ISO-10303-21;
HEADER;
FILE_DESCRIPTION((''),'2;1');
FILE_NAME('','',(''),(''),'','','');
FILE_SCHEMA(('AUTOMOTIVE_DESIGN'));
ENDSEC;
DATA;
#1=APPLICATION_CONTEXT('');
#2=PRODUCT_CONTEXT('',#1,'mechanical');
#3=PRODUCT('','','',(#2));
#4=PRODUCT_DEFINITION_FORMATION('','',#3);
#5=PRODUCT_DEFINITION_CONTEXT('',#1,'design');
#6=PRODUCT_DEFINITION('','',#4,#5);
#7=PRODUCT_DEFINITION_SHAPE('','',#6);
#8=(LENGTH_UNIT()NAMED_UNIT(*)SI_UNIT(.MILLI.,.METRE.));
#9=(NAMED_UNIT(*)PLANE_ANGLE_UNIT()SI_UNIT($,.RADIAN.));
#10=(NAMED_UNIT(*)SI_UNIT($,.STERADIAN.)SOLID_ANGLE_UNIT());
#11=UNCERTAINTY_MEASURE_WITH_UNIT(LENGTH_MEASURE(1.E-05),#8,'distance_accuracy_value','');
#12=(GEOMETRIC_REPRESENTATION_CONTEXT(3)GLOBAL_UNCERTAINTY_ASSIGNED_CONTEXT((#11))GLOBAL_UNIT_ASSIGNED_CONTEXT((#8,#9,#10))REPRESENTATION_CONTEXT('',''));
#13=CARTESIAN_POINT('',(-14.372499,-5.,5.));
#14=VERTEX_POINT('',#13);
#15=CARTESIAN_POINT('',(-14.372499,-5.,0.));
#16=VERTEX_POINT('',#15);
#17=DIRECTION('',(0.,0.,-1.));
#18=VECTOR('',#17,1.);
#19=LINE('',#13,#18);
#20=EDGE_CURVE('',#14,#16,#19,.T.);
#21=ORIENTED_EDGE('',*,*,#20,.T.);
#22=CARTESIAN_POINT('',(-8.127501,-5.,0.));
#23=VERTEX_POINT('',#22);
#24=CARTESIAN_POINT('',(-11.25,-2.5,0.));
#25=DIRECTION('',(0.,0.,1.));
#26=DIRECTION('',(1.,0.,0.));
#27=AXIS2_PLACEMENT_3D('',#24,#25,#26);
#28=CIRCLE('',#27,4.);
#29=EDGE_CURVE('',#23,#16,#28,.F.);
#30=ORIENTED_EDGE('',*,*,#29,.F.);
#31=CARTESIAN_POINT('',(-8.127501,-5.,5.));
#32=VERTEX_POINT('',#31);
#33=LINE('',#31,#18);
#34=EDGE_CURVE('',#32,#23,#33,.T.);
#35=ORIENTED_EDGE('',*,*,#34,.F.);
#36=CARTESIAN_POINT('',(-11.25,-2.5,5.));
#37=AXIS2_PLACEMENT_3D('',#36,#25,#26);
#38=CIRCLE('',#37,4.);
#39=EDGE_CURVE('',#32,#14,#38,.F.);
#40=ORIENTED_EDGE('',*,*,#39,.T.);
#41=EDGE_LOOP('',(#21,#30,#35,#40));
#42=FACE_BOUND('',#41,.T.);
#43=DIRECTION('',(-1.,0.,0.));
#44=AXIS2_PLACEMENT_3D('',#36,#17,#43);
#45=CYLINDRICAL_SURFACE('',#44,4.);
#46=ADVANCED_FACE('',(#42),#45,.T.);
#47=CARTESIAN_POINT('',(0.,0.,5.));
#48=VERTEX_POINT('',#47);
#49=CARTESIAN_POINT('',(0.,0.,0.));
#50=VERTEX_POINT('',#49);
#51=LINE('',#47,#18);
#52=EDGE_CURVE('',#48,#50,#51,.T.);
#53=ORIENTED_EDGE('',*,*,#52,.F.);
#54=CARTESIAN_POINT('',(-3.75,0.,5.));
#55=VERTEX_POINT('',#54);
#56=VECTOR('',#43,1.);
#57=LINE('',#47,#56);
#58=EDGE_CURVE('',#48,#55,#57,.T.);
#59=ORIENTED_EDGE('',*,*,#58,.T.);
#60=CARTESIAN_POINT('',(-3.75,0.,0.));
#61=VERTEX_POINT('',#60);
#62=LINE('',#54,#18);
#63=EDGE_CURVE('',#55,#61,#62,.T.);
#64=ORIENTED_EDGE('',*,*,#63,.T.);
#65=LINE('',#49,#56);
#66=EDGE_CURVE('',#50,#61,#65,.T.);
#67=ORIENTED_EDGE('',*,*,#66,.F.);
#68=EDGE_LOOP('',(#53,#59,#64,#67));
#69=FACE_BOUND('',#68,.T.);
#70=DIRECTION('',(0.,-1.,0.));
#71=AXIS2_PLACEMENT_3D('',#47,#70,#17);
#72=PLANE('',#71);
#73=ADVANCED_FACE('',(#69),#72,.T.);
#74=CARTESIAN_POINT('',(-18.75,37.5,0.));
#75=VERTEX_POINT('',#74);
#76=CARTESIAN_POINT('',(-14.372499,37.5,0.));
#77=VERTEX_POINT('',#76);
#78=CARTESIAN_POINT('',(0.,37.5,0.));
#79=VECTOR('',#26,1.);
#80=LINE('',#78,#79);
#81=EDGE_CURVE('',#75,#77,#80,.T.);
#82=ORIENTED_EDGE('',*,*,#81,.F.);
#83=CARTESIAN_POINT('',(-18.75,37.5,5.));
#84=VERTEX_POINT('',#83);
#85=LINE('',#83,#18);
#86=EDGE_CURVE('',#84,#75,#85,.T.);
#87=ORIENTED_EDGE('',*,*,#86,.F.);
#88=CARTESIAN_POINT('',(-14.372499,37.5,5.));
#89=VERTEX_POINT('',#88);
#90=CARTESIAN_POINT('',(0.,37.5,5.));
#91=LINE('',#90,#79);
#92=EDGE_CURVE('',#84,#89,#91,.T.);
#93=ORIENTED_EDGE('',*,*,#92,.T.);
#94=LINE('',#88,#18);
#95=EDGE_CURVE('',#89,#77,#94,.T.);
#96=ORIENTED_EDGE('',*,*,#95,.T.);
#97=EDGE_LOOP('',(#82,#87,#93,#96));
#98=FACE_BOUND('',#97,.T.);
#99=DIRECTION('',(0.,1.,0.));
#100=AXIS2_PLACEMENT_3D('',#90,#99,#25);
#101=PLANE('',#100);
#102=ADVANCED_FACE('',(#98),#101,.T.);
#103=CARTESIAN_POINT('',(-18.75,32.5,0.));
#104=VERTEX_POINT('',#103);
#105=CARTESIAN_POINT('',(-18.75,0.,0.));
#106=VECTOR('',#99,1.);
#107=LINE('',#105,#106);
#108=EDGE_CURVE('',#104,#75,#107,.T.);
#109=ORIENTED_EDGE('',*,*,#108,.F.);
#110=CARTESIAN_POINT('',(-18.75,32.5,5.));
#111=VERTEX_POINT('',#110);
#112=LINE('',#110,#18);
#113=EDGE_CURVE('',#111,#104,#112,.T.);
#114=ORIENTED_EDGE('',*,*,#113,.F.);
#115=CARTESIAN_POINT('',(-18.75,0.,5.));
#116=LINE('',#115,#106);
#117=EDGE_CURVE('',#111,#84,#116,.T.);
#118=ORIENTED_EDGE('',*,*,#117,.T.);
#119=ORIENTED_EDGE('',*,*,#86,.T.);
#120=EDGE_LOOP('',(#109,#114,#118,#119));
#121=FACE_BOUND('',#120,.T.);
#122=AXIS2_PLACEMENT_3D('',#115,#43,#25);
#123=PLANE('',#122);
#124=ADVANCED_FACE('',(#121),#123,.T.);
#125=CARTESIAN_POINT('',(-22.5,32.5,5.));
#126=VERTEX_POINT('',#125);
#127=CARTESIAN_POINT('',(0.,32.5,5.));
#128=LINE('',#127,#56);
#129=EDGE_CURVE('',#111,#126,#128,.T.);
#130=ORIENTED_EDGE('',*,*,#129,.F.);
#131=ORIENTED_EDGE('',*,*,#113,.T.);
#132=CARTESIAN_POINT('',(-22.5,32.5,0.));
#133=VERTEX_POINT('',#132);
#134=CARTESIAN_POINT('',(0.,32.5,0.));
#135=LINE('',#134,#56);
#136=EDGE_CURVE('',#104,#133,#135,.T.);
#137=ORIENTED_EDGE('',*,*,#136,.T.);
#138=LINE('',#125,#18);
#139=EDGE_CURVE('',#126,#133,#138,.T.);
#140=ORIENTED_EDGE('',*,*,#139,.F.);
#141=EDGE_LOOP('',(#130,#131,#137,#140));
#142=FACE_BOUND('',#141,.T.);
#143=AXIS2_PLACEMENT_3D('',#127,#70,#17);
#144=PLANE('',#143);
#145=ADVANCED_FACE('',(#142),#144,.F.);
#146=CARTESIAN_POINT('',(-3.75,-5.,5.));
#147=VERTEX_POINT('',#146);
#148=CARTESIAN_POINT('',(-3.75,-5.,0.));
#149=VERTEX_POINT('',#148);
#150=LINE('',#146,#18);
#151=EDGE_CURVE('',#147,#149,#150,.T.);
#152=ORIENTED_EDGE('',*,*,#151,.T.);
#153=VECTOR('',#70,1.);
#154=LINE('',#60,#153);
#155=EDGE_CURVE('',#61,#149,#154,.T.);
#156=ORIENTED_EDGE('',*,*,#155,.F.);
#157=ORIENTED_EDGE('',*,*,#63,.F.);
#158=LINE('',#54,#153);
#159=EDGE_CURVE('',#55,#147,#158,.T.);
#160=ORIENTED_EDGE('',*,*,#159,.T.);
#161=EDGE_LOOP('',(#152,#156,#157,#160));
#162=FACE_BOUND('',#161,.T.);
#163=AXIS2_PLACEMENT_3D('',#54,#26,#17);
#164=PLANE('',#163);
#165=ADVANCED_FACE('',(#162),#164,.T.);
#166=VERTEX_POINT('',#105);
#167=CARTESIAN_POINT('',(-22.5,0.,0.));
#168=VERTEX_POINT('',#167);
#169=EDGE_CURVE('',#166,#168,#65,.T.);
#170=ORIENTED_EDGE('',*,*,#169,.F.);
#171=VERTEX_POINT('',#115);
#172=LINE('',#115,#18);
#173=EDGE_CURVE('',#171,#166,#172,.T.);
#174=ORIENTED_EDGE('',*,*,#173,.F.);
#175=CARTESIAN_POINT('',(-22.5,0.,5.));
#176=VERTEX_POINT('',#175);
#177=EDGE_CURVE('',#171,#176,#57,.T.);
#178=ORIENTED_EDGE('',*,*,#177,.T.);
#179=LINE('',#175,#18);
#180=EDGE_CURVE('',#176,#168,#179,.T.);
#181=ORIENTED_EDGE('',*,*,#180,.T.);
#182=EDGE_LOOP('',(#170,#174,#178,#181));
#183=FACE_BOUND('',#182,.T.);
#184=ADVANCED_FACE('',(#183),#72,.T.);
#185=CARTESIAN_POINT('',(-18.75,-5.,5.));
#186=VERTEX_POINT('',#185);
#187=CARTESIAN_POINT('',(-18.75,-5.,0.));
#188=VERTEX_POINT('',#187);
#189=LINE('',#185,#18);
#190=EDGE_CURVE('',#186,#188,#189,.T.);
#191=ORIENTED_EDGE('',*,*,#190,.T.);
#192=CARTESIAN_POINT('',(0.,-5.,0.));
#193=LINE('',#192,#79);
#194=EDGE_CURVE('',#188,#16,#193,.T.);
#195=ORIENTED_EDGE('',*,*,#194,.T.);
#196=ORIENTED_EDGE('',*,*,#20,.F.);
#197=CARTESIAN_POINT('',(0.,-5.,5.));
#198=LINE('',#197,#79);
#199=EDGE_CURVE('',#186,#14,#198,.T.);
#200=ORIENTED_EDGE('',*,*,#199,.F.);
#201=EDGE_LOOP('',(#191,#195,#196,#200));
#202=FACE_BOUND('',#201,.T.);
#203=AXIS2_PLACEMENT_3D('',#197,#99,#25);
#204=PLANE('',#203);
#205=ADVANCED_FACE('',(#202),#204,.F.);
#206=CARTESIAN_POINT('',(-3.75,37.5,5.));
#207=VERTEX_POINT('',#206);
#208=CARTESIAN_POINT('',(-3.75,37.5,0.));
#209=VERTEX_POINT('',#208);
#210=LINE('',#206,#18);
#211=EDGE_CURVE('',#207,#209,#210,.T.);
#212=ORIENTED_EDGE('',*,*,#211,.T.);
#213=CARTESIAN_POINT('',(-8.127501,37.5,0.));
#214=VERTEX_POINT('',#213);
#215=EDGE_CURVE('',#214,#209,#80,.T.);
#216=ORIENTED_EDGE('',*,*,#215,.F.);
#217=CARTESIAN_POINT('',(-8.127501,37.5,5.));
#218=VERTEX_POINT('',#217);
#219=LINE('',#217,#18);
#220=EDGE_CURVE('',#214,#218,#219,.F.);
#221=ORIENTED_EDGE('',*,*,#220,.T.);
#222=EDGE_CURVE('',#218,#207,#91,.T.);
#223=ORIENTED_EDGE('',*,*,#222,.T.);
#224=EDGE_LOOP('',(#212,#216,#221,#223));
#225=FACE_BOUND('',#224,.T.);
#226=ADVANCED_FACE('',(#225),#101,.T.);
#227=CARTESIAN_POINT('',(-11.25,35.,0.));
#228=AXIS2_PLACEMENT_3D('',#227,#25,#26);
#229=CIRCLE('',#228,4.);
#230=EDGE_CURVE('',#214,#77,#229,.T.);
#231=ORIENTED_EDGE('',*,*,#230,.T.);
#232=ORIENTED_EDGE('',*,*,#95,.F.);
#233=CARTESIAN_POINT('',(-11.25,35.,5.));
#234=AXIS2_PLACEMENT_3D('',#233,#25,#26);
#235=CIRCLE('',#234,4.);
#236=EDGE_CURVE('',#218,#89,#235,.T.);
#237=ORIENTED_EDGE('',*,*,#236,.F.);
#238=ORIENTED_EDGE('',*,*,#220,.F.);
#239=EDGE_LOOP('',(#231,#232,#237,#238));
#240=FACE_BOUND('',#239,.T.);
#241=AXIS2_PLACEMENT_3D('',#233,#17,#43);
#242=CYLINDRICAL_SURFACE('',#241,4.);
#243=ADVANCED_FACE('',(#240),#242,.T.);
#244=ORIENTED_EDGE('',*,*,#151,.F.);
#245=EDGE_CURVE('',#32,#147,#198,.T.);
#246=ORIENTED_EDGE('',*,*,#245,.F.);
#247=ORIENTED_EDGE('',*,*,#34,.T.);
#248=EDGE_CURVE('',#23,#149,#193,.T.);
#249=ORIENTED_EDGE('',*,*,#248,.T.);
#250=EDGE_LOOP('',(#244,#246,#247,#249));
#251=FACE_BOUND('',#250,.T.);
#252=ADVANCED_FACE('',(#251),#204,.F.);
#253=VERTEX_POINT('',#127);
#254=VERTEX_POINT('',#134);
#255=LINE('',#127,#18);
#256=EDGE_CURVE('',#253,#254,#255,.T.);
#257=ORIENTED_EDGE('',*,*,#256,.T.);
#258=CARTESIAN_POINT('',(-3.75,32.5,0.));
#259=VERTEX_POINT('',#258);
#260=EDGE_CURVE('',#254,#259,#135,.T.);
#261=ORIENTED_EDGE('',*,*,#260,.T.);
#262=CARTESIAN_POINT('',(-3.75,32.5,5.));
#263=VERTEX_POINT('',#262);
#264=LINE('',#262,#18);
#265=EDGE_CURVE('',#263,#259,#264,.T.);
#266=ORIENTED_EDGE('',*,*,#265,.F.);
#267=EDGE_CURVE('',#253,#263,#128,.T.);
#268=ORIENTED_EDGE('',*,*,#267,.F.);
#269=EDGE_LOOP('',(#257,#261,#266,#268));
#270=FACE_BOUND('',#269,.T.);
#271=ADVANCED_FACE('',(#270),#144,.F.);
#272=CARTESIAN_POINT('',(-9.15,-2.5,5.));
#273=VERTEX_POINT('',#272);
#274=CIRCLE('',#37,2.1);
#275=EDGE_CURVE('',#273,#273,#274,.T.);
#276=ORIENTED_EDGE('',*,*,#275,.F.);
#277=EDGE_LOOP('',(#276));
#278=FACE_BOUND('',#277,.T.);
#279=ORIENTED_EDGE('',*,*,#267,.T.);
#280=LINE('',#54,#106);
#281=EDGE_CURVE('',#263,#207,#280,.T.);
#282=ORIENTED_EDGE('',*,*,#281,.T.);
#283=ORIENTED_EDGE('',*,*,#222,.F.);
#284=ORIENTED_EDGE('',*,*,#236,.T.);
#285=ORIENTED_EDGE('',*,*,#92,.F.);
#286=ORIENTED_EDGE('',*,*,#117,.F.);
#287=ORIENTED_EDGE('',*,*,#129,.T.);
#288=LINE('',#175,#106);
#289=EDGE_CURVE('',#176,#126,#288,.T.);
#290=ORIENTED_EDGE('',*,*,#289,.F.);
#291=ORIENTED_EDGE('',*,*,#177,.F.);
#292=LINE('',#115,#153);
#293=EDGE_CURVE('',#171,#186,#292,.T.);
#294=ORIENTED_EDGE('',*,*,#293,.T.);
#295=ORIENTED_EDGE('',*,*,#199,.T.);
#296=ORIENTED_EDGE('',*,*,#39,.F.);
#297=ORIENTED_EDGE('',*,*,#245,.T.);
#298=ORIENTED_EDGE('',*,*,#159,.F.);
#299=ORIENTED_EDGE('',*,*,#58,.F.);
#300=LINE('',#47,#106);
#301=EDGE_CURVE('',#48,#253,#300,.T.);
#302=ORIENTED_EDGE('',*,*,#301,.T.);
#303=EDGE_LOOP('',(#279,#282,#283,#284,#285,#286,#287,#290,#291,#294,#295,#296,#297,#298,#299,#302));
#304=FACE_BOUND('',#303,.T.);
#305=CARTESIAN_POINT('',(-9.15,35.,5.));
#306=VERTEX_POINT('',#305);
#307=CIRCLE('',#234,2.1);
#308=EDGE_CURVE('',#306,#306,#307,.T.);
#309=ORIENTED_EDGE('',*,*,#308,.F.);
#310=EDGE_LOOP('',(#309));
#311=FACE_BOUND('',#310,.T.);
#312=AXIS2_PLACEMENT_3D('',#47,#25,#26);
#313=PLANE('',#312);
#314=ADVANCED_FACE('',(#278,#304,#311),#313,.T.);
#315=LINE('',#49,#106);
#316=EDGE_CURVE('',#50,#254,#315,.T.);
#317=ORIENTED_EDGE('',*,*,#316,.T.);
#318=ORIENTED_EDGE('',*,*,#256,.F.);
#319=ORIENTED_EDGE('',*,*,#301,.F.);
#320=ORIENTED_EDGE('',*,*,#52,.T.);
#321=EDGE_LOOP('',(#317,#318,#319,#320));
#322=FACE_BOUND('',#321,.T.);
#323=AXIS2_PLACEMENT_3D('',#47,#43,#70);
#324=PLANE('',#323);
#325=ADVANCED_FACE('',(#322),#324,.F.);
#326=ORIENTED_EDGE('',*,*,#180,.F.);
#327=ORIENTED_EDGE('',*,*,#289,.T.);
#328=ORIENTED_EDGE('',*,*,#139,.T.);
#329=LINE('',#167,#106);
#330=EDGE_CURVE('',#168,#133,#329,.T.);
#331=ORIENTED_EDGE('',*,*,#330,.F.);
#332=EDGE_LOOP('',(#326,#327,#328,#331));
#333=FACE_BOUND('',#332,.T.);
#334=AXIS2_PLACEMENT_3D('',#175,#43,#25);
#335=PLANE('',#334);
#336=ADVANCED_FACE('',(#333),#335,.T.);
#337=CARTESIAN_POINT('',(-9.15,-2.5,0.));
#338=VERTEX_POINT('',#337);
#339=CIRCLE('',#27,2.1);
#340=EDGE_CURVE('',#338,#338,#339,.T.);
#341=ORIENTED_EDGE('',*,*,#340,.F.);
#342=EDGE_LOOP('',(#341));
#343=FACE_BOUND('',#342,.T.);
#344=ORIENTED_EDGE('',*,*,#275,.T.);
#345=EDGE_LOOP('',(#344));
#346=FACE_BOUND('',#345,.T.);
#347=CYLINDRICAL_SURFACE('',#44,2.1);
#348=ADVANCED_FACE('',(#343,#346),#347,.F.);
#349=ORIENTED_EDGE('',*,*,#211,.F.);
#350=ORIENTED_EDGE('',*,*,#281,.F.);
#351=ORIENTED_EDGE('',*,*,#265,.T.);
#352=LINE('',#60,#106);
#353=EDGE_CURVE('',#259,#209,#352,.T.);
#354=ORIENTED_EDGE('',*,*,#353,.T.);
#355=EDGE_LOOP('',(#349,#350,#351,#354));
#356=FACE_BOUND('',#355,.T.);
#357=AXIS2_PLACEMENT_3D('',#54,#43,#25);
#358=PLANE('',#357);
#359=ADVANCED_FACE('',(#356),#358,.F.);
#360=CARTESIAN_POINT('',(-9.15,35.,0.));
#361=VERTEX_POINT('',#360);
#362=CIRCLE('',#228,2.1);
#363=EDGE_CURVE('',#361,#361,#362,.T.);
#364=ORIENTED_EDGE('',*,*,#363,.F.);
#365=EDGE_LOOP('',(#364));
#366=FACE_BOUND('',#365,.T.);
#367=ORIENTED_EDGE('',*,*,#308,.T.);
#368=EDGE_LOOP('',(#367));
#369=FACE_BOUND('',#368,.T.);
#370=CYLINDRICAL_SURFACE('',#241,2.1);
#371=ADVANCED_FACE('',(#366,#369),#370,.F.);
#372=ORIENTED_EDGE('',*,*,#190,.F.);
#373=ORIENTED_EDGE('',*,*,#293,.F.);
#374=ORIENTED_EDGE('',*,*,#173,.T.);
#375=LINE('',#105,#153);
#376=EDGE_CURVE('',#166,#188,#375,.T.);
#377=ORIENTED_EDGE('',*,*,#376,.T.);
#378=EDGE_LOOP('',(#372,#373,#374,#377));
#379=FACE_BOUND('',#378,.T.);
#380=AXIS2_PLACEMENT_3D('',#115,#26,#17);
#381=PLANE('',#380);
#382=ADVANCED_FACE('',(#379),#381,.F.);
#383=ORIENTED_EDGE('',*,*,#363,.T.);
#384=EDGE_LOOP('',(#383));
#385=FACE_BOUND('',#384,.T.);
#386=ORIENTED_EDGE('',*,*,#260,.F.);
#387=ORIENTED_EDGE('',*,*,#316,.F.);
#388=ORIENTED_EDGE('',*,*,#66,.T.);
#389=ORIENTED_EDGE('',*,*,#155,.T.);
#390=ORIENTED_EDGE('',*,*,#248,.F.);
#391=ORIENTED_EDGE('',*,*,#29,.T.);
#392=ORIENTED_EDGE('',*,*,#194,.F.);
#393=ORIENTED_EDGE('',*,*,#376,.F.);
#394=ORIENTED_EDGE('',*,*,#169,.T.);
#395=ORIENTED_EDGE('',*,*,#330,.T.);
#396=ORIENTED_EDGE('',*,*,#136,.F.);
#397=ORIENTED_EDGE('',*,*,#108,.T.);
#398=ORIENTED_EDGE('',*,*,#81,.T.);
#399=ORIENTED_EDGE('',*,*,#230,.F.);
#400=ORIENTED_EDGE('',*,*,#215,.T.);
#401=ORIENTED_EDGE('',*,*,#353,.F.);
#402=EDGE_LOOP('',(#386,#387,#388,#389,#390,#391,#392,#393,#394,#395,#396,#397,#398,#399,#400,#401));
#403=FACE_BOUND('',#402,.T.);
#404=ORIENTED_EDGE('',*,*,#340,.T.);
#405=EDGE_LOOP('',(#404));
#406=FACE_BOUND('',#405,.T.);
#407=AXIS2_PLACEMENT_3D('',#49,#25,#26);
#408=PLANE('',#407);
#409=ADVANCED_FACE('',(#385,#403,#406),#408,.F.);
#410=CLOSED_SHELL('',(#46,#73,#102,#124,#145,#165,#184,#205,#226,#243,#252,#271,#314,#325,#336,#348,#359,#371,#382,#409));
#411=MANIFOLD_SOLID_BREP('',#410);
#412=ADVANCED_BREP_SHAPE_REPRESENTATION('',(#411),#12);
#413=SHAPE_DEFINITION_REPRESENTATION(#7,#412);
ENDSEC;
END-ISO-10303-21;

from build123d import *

# Parameters (mm, degrees)
SKETCH1_R           = 2.1
SKETCH1_W           = 22.5
SKETCH1_H           = 32.5
BOSS_EXTRUDE1_DEPTH = 5


with BuildPart() as part:
    # Sketch1 → Boss-Extrude1 (new body)
    # profile 1 of 5: a face of its own
    with BuildSketch(Plane.XY):
        Polygon((-18.75, 32.5), (-3.75, 32.5), (-3.75, 37.5), (-8.127501001, 37.5), (-14.372498999, 37.5), (-18.75, 37.5), align=None)
        with Locations((-11.25, 35)):
            Circle(SKETCH1_R, mode=Mode.SUBTRACT)
    # profile 2 of 5: a face of its own
    with BuildSketch(Plane.XY):
        with Locations((-11.25, 16.25)):
            Rectangle(SKETCH1_W, SKETCH1_H)
    # profile 3 of 5: a face of its own
    with BuildSketch(Plane.XY):
        Polygon((-3.75, -5), (-3.75, 0), (-18.75, 0), (-18.75, -5), (-14.372498999, -5), (-8.127501001, -5), align=None)
        with Locations((-11.25, -2.5)):
            Circle(SKETCH1_R, mode=Mode.SUBTRACT)
    # profile 4 of 5: a face of its own
    with BuildSketch(Plane.XY):
        with BuildLine():
            ThreePointArc((-14.372498999, -5), (-11.25, -6.5), (-8.127501001, -5))
            Line((-8.127501001, -5), (-14.372498999, -5))
        make_face()
    # profile 5 of 5: a face of its own
    with BuildSketch(Plane.XY):
        with BuildLine():
            ThreePointArc((-8.127501001, 37.5), (-11.25, 39), (-14.372498999, 37.5))
            Line((-14.372498999, 37.5), (-8.127501001, 37.5))
        make_face()
    extrude(amount=BOSS_EXTRUDE1_DEPTH)


solid = part.part
